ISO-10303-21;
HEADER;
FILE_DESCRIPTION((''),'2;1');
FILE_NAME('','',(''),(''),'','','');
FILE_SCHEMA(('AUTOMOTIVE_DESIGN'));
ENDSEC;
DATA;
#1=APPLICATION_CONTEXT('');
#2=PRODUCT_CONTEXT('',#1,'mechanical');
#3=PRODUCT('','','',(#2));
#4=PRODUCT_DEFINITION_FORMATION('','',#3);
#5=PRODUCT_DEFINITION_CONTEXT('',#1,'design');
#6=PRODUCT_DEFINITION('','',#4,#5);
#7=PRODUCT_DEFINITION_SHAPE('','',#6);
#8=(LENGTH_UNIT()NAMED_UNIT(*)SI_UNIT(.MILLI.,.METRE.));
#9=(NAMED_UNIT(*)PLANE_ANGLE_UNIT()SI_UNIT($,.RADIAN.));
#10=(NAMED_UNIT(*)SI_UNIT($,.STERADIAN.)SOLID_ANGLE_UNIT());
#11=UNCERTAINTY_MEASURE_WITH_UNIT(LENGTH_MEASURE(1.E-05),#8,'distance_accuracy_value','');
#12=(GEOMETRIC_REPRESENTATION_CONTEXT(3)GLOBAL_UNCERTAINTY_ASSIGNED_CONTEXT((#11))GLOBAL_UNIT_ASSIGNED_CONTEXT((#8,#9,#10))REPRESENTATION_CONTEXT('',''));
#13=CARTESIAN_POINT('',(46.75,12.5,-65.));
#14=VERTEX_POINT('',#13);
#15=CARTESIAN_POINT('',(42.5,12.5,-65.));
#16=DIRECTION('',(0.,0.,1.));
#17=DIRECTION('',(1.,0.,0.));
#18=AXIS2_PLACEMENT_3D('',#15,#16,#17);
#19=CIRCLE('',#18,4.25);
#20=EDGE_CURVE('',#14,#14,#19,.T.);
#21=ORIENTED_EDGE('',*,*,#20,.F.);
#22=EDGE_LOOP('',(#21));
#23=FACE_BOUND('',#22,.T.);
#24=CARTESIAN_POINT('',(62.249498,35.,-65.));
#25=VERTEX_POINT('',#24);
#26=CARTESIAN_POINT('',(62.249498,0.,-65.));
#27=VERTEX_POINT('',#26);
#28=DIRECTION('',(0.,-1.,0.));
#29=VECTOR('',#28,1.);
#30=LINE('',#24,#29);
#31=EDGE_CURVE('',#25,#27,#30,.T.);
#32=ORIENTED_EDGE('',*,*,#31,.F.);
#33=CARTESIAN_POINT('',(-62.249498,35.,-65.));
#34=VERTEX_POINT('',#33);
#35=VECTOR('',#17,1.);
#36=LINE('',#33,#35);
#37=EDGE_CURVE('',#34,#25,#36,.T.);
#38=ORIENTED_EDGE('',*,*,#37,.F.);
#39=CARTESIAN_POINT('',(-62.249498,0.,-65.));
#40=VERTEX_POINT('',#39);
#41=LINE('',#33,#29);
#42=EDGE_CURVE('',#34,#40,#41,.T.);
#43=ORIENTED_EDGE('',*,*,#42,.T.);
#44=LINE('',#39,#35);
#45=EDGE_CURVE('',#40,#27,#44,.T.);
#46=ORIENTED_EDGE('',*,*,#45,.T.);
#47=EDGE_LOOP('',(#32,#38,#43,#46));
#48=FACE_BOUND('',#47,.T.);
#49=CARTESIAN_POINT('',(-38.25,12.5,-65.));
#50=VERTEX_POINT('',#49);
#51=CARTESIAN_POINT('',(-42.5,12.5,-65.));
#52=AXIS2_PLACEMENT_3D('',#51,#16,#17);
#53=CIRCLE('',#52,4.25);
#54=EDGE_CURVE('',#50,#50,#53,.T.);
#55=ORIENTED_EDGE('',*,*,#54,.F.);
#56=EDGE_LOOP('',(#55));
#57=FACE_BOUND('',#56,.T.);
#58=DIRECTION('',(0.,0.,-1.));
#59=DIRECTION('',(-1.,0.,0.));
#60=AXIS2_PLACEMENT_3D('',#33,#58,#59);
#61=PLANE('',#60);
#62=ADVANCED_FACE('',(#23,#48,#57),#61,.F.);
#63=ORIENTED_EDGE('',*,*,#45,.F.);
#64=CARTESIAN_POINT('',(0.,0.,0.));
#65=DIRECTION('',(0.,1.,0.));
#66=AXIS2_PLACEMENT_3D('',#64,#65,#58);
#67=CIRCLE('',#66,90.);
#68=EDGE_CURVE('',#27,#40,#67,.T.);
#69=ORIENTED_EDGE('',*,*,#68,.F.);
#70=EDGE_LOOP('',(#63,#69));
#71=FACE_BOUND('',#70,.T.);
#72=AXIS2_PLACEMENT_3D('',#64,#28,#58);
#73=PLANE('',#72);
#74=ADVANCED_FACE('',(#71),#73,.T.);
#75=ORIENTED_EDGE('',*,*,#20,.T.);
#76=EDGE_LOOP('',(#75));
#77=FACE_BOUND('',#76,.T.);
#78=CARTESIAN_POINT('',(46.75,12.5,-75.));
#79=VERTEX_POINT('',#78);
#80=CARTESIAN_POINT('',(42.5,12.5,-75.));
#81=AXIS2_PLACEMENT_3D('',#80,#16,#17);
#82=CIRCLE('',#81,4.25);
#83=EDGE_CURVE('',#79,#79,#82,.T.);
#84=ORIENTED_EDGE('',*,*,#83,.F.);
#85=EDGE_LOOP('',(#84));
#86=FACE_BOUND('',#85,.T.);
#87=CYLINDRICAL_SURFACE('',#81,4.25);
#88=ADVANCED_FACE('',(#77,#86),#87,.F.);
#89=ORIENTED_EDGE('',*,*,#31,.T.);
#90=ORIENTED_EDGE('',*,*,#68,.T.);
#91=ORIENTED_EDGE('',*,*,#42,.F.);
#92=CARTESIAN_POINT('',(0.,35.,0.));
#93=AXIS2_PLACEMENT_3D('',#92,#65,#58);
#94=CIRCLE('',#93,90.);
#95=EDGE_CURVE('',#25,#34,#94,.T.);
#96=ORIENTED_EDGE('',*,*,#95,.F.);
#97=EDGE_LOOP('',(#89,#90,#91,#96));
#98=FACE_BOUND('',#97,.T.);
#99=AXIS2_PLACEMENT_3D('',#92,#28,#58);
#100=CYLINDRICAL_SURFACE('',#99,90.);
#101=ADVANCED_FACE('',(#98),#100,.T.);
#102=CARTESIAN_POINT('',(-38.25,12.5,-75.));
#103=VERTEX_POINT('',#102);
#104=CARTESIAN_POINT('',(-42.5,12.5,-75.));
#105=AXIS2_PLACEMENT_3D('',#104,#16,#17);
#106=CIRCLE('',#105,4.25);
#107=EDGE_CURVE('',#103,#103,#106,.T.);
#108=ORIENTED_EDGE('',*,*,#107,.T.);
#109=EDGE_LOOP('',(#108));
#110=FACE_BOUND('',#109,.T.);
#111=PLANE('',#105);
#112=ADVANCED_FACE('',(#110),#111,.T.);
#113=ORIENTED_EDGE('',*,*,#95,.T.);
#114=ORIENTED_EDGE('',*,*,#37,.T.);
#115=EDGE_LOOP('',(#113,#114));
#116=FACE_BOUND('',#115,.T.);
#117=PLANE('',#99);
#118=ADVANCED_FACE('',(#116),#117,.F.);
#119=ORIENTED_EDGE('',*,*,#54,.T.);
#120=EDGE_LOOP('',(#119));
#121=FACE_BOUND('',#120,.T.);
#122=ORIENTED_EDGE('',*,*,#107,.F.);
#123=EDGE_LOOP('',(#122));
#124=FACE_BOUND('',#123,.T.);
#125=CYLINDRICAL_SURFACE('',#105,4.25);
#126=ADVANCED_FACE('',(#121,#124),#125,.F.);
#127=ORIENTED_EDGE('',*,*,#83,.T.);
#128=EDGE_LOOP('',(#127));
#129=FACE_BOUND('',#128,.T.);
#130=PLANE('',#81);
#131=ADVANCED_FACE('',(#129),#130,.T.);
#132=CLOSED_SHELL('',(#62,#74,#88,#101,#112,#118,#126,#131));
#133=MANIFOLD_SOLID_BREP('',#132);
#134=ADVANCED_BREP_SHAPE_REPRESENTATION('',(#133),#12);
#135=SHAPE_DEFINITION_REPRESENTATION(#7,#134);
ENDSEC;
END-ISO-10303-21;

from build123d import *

# Parameters (mm, degrees)
BOSS_EXTRUDE1_DEPTH = 35
SKETCH2_R           = 4.25
CUT_EXTRUDE1_DEPTH  = 10


with BuildPart() as part:
    # Sketch1 → Boss-Extrude1 (new body)
    with BuildSketch(Plane(origin=(0, 0, 0), x_dir=(1, 0, 0), z_dir=(0, 1, 0))):
        with BuildLine():
            Line((-62.24949799, 65), (62.24949799, 65))
            ThreePointArc((62.24949799, 65), (0, 90), (-62.24949799, 65))
        make_face()
    extrude(amount=BOSS_EXTRUDE1_DEPTH)

    # Sketch2 → Cut-Extrude1 (cut)
    with BuildSketch(Plane.XY.offset(-65)):
        with Locations((-42.5, 12.5)):
            Circle(SKETCH2_R)
        with Locations((42.5, 12.5)):
            Circle(SKETCH2_R)
    extrude(amount=-CUT_EXTRUDE1_DEPTH, mode=Mode.SUBTRACT)


solid = part.part
